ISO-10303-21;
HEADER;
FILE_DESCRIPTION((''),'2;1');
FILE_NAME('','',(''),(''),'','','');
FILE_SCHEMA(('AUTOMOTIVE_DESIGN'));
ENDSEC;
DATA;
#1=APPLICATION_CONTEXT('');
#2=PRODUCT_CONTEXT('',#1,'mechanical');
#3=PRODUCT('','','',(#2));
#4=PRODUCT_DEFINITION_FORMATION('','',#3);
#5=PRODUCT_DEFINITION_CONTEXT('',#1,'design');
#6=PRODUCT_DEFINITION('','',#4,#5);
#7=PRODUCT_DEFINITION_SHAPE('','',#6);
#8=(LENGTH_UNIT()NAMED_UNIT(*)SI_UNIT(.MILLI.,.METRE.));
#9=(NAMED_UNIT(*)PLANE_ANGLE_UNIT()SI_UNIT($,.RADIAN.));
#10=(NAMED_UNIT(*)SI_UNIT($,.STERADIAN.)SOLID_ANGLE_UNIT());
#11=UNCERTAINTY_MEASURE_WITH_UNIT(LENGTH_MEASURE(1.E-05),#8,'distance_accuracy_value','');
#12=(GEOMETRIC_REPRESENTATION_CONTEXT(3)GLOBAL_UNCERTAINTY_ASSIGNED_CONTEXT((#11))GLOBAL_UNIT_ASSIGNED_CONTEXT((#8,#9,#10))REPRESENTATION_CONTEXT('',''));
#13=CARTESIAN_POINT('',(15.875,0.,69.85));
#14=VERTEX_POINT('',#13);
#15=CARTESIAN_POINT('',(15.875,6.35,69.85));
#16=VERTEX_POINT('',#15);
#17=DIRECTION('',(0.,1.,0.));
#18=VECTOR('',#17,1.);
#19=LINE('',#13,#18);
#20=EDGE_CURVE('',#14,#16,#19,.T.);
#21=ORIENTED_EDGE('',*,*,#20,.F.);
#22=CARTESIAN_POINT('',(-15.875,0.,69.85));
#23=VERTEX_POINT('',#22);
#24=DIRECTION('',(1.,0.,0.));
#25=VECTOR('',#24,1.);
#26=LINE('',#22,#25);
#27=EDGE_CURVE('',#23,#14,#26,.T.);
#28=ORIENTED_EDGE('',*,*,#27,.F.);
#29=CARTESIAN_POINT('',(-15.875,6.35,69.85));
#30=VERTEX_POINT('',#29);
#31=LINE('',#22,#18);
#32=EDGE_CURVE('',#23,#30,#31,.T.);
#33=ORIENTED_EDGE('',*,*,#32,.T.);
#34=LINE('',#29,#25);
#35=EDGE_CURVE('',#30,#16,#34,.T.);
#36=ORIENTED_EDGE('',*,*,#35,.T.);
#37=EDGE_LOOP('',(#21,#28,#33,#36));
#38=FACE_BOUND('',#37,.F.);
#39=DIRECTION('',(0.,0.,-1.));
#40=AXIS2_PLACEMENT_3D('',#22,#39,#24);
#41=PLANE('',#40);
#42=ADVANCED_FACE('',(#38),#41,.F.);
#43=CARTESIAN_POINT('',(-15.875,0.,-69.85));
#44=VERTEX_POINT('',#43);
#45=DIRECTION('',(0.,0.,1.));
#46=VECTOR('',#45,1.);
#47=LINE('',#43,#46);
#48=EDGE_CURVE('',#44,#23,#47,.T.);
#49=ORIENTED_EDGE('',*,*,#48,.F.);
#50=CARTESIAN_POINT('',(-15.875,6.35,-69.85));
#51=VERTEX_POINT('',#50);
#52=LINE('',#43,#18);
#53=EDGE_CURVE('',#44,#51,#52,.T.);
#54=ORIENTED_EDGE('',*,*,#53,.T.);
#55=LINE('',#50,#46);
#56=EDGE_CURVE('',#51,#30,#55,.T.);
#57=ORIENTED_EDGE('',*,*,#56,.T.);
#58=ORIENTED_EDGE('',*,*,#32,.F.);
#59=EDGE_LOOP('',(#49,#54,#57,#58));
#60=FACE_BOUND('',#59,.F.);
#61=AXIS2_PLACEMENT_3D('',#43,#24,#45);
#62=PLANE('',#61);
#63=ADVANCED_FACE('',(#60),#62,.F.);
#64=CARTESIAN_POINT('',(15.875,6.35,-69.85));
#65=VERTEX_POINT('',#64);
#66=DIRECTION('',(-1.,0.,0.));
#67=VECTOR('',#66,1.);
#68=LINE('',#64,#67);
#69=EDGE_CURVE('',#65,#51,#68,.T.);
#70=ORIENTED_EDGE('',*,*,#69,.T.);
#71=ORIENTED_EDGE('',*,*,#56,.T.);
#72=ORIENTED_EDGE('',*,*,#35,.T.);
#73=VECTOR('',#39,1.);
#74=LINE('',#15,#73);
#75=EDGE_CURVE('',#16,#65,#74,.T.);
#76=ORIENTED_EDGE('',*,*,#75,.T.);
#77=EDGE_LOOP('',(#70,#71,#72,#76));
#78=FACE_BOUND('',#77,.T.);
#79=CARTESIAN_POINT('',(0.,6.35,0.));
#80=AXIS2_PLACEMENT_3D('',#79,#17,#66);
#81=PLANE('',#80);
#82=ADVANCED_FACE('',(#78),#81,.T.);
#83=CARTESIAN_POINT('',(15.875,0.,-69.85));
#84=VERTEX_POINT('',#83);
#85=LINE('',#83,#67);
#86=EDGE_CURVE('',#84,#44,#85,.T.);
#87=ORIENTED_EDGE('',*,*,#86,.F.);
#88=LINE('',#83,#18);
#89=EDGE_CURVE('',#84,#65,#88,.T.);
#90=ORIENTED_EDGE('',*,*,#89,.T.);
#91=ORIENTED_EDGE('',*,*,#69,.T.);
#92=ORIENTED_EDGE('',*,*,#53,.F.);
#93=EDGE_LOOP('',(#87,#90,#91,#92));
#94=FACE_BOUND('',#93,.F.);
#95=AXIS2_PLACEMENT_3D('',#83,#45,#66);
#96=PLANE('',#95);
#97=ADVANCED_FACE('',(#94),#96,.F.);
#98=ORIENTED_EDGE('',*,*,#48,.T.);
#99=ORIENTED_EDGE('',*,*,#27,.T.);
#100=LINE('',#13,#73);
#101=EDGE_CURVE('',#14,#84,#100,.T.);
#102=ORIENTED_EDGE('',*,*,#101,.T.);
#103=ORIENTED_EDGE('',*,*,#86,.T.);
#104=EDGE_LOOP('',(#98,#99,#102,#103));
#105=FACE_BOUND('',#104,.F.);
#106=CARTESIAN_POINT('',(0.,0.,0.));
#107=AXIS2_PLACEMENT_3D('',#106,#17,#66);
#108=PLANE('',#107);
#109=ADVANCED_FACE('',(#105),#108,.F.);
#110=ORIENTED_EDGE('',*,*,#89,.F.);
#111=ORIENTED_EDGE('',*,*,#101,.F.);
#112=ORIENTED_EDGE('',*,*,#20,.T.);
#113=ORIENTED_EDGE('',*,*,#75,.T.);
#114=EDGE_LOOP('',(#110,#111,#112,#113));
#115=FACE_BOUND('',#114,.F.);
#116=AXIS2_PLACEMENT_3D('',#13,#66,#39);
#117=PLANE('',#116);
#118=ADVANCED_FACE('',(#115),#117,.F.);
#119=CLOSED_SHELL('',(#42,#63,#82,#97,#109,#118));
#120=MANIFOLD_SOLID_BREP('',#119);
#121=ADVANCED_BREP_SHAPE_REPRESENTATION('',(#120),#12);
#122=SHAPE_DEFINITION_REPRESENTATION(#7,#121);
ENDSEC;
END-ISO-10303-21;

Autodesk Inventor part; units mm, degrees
ref_plane "YZ Plane" through (0, 0, 0) normal (1, 0, 0) x (0, 1, 0)
ref_plane "XZ Plane" through (0, 0, 0) normal (0, 1, 0) x (-1, 0, 0)
ref_plane "XY Plane" through (0, 0, 0) normal (0, 0, 1) x (1, 0, 0)
sketch "Sketch1" plane through (0, 0, 0) normal (0, 1, 0) x (-1, 0, 0)
  line L0 (-15.875, -69.85) -> (15.875, -69.85)
  line L1 (15.875, -69.85) -> (15.875, 69.85)
  line L2 (15.875, 69.85) -> (-15.875, 69.85)
  line L3 (-15.875, 69.85) -> (-15.875, -69.85)
  line L4 (-15.875, -69.85) -> (15.875, 69.85) construction
  line L5 (15.875, -69.85) -> (-15.875, 69.85) construction
  point P0 (0, 0)
  dimension "d0" = 31.75
  dimension "d1" = 139.7
extrude "Extrusion1" add sketch "Sketch1" along normal blind 6.35
properties part number "Back Plate" material "UHMW, White"
